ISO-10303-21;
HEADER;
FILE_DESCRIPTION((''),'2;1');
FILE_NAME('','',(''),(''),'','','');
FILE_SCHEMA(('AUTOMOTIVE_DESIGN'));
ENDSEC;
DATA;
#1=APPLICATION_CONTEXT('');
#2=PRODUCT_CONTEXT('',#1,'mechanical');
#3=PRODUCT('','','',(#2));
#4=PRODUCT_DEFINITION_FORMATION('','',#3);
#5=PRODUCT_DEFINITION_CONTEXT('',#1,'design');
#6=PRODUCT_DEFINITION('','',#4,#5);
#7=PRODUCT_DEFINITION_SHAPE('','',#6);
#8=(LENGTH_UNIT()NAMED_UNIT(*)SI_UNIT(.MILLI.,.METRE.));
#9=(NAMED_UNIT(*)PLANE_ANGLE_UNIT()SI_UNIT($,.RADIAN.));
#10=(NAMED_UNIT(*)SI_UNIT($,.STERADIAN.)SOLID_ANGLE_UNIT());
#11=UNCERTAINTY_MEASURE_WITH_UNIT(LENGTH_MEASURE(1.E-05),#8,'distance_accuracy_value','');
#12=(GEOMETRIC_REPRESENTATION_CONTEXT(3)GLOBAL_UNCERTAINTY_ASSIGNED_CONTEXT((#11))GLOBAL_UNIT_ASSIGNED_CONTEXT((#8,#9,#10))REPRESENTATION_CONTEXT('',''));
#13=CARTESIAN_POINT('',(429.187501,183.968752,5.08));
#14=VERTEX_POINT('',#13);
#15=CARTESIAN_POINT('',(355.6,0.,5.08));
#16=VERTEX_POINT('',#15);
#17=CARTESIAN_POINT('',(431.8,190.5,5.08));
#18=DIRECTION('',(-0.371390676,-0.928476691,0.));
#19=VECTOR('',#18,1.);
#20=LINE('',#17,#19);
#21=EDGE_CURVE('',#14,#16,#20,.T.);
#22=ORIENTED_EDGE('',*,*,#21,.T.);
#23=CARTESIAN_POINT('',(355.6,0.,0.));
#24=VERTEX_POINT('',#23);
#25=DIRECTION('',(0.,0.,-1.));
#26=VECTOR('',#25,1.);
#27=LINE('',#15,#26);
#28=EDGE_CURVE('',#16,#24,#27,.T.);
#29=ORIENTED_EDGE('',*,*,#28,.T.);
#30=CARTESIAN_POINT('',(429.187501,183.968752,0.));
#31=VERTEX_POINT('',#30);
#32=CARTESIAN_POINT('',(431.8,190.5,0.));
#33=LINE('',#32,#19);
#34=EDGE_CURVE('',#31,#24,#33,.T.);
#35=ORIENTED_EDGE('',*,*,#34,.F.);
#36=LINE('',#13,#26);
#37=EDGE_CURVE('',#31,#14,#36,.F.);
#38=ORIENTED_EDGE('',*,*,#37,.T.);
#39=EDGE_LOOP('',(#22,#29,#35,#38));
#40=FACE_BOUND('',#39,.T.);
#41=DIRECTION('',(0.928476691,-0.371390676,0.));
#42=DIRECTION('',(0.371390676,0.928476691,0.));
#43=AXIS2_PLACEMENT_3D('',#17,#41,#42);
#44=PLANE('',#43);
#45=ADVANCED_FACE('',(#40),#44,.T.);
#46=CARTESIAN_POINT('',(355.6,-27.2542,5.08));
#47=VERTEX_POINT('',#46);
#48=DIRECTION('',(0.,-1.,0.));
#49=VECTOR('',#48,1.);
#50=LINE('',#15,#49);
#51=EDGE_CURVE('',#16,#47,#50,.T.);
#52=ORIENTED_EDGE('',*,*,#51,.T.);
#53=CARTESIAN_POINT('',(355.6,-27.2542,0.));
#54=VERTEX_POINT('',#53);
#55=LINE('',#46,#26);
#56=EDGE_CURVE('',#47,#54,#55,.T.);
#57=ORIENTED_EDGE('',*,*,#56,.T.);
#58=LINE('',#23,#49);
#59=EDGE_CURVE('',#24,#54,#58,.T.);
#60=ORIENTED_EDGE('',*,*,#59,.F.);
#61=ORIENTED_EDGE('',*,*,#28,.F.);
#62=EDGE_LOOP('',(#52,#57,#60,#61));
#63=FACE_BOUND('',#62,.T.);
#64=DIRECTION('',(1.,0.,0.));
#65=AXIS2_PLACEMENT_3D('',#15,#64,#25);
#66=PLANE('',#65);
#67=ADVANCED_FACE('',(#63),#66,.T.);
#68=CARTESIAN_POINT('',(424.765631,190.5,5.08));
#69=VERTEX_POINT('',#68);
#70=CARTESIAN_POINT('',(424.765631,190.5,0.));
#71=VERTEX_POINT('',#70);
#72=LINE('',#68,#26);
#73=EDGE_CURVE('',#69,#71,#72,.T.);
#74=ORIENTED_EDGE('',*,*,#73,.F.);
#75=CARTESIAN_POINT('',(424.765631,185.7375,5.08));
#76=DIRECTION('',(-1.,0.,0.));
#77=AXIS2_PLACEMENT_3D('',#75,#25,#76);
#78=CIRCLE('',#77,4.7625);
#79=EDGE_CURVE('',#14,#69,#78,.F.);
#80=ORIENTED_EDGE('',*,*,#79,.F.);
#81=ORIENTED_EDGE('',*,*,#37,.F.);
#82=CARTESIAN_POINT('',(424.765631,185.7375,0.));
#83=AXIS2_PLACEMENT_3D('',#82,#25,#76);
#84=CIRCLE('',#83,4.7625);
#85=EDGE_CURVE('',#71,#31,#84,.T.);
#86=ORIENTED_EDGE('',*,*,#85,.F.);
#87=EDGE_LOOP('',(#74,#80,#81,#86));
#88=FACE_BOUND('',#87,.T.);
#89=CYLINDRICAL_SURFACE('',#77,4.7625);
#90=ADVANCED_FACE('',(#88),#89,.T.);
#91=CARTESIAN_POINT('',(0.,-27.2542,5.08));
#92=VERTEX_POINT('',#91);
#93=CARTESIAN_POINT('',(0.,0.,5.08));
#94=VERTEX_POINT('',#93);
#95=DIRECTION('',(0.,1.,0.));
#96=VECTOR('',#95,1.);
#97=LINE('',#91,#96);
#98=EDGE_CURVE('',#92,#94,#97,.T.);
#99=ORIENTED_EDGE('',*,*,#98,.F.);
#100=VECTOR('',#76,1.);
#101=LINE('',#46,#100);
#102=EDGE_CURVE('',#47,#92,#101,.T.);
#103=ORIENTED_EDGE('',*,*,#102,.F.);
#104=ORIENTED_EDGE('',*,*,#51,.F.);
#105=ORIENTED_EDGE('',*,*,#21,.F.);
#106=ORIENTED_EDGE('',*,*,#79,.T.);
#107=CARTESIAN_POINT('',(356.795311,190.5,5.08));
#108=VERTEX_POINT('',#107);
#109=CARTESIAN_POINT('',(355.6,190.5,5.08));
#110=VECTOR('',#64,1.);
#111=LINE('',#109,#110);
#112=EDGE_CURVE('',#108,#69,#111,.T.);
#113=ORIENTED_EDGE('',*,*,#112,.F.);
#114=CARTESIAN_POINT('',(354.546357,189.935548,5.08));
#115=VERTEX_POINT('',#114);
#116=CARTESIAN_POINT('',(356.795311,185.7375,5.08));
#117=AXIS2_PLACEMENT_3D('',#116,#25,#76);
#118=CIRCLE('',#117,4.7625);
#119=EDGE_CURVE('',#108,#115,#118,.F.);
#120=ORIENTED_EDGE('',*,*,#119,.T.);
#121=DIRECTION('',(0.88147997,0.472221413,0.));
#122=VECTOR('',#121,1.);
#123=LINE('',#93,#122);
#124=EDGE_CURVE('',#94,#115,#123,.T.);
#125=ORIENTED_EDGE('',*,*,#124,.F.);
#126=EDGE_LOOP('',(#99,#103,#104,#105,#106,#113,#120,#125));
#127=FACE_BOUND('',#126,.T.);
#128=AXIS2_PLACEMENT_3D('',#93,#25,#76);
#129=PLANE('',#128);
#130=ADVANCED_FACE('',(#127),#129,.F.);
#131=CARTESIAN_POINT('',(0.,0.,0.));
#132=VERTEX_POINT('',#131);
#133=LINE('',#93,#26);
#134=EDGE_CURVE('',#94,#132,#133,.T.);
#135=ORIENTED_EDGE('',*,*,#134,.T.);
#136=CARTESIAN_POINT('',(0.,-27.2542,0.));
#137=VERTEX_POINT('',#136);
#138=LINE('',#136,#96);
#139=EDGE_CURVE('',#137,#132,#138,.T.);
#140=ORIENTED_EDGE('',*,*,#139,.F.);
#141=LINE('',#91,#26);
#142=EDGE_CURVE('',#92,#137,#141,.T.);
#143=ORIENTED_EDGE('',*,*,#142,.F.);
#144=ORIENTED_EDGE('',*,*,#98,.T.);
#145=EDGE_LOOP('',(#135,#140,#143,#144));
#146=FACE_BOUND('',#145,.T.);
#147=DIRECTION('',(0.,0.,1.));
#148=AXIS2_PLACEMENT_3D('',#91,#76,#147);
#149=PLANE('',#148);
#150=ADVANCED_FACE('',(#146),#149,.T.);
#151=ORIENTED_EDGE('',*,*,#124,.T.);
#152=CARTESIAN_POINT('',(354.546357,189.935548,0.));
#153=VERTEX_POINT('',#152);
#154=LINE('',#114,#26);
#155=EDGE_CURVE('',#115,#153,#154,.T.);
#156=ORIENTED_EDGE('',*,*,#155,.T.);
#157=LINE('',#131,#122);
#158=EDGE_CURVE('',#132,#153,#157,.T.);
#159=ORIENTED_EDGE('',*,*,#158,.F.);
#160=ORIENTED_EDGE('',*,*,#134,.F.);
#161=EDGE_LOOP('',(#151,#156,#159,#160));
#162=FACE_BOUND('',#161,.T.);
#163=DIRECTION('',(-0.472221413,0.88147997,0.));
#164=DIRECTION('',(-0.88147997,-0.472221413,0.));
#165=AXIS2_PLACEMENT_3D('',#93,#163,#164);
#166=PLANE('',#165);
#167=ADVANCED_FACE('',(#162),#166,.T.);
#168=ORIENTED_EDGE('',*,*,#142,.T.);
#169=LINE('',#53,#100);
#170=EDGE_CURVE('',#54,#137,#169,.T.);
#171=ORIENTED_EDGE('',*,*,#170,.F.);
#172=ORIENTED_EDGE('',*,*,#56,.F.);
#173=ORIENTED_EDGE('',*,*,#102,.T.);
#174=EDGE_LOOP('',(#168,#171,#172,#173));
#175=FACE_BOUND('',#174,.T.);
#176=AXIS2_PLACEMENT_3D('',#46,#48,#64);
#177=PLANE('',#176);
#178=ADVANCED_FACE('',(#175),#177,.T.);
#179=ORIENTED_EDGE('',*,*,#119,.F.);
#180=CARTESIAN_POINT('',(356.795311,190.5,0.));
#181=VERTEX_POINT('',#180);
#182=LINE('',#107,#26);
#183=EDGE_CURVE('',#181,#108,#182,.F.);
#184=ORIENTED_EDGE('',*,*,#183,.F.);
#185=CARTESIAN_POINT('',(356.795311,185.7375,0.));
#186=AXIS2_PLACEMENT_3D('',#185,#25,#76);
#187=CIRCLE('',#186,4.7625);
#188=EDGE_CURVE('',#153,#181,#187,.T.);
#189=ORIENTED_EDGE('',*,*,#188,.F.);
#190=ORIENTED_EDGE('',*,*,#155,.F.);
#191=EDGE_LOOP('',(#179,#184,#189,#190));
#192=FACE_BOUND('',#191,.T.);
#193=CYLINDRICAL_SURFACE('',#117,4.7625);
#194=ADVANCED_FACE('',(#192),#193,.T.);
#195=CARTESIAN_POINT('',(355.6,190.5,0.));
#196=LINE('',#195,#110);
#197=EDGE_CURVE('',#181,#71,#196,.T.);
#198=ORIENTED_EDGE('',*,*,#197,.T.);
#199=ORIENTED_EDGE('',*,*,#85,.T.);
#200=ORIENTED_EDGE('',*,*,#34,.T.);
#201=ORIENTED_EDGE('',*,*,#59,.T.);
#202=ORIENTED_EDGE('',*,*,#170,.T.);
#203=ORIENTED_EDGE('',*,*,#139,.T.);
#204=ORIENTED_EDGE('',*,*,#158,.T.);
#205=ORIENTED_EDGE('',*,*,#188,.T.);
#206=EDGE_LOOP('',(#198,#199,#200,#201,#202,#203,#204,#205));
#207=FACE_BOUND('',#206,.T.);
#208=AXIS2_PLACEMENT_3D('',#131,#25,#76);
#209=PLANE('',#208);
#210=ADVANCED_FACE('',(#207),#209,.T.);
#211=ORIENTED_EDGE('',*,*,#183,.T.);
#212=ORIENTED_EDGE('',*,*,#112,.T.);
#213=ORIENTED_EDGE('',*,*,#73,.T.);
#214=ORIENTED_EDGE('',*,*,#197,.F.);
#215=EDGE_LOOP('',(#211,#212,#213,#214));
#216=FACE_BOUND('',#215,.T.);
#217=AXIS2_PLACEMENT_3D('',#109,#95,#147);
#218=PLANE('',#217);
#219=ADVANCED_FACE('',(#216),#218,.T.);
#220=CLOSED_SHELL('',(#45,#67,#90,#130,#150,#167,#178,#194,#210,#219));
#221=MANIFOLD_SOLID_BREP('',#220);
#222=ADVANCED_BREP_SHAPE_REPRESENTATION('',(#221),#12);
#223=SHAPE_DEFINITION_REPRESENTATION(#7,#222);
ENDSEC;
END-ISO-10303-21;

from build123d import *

# Parameters (mm, degrees)
FIN_BODY_DEPTH = 5.08
FIN_FILLETS_R  = 4.7625


with BuildPart() as part:
    # Fin Profile → Fin Body (new body)
    with BuildSketch(Plane.XY):
        Polygon((355.6, -27.2542), (0, -27.2542), (0, 0), (355.6, 190.5), (431.8, 190.5), (355.6, 0), align=None)
    extrude(amount=FIN_BODY_DEPTH)

    # Fin Fillets
    fin_fillets_edges = [part.edges().sort_by_distance(p)[0] for p in [
        (431.8, 190.5, 2.54),
        (355.6, 190.5, 2.54),
    ]]
    fillet(fin_fillets_edges, radius=FIN_FILLETS_R)


solid = part.part
